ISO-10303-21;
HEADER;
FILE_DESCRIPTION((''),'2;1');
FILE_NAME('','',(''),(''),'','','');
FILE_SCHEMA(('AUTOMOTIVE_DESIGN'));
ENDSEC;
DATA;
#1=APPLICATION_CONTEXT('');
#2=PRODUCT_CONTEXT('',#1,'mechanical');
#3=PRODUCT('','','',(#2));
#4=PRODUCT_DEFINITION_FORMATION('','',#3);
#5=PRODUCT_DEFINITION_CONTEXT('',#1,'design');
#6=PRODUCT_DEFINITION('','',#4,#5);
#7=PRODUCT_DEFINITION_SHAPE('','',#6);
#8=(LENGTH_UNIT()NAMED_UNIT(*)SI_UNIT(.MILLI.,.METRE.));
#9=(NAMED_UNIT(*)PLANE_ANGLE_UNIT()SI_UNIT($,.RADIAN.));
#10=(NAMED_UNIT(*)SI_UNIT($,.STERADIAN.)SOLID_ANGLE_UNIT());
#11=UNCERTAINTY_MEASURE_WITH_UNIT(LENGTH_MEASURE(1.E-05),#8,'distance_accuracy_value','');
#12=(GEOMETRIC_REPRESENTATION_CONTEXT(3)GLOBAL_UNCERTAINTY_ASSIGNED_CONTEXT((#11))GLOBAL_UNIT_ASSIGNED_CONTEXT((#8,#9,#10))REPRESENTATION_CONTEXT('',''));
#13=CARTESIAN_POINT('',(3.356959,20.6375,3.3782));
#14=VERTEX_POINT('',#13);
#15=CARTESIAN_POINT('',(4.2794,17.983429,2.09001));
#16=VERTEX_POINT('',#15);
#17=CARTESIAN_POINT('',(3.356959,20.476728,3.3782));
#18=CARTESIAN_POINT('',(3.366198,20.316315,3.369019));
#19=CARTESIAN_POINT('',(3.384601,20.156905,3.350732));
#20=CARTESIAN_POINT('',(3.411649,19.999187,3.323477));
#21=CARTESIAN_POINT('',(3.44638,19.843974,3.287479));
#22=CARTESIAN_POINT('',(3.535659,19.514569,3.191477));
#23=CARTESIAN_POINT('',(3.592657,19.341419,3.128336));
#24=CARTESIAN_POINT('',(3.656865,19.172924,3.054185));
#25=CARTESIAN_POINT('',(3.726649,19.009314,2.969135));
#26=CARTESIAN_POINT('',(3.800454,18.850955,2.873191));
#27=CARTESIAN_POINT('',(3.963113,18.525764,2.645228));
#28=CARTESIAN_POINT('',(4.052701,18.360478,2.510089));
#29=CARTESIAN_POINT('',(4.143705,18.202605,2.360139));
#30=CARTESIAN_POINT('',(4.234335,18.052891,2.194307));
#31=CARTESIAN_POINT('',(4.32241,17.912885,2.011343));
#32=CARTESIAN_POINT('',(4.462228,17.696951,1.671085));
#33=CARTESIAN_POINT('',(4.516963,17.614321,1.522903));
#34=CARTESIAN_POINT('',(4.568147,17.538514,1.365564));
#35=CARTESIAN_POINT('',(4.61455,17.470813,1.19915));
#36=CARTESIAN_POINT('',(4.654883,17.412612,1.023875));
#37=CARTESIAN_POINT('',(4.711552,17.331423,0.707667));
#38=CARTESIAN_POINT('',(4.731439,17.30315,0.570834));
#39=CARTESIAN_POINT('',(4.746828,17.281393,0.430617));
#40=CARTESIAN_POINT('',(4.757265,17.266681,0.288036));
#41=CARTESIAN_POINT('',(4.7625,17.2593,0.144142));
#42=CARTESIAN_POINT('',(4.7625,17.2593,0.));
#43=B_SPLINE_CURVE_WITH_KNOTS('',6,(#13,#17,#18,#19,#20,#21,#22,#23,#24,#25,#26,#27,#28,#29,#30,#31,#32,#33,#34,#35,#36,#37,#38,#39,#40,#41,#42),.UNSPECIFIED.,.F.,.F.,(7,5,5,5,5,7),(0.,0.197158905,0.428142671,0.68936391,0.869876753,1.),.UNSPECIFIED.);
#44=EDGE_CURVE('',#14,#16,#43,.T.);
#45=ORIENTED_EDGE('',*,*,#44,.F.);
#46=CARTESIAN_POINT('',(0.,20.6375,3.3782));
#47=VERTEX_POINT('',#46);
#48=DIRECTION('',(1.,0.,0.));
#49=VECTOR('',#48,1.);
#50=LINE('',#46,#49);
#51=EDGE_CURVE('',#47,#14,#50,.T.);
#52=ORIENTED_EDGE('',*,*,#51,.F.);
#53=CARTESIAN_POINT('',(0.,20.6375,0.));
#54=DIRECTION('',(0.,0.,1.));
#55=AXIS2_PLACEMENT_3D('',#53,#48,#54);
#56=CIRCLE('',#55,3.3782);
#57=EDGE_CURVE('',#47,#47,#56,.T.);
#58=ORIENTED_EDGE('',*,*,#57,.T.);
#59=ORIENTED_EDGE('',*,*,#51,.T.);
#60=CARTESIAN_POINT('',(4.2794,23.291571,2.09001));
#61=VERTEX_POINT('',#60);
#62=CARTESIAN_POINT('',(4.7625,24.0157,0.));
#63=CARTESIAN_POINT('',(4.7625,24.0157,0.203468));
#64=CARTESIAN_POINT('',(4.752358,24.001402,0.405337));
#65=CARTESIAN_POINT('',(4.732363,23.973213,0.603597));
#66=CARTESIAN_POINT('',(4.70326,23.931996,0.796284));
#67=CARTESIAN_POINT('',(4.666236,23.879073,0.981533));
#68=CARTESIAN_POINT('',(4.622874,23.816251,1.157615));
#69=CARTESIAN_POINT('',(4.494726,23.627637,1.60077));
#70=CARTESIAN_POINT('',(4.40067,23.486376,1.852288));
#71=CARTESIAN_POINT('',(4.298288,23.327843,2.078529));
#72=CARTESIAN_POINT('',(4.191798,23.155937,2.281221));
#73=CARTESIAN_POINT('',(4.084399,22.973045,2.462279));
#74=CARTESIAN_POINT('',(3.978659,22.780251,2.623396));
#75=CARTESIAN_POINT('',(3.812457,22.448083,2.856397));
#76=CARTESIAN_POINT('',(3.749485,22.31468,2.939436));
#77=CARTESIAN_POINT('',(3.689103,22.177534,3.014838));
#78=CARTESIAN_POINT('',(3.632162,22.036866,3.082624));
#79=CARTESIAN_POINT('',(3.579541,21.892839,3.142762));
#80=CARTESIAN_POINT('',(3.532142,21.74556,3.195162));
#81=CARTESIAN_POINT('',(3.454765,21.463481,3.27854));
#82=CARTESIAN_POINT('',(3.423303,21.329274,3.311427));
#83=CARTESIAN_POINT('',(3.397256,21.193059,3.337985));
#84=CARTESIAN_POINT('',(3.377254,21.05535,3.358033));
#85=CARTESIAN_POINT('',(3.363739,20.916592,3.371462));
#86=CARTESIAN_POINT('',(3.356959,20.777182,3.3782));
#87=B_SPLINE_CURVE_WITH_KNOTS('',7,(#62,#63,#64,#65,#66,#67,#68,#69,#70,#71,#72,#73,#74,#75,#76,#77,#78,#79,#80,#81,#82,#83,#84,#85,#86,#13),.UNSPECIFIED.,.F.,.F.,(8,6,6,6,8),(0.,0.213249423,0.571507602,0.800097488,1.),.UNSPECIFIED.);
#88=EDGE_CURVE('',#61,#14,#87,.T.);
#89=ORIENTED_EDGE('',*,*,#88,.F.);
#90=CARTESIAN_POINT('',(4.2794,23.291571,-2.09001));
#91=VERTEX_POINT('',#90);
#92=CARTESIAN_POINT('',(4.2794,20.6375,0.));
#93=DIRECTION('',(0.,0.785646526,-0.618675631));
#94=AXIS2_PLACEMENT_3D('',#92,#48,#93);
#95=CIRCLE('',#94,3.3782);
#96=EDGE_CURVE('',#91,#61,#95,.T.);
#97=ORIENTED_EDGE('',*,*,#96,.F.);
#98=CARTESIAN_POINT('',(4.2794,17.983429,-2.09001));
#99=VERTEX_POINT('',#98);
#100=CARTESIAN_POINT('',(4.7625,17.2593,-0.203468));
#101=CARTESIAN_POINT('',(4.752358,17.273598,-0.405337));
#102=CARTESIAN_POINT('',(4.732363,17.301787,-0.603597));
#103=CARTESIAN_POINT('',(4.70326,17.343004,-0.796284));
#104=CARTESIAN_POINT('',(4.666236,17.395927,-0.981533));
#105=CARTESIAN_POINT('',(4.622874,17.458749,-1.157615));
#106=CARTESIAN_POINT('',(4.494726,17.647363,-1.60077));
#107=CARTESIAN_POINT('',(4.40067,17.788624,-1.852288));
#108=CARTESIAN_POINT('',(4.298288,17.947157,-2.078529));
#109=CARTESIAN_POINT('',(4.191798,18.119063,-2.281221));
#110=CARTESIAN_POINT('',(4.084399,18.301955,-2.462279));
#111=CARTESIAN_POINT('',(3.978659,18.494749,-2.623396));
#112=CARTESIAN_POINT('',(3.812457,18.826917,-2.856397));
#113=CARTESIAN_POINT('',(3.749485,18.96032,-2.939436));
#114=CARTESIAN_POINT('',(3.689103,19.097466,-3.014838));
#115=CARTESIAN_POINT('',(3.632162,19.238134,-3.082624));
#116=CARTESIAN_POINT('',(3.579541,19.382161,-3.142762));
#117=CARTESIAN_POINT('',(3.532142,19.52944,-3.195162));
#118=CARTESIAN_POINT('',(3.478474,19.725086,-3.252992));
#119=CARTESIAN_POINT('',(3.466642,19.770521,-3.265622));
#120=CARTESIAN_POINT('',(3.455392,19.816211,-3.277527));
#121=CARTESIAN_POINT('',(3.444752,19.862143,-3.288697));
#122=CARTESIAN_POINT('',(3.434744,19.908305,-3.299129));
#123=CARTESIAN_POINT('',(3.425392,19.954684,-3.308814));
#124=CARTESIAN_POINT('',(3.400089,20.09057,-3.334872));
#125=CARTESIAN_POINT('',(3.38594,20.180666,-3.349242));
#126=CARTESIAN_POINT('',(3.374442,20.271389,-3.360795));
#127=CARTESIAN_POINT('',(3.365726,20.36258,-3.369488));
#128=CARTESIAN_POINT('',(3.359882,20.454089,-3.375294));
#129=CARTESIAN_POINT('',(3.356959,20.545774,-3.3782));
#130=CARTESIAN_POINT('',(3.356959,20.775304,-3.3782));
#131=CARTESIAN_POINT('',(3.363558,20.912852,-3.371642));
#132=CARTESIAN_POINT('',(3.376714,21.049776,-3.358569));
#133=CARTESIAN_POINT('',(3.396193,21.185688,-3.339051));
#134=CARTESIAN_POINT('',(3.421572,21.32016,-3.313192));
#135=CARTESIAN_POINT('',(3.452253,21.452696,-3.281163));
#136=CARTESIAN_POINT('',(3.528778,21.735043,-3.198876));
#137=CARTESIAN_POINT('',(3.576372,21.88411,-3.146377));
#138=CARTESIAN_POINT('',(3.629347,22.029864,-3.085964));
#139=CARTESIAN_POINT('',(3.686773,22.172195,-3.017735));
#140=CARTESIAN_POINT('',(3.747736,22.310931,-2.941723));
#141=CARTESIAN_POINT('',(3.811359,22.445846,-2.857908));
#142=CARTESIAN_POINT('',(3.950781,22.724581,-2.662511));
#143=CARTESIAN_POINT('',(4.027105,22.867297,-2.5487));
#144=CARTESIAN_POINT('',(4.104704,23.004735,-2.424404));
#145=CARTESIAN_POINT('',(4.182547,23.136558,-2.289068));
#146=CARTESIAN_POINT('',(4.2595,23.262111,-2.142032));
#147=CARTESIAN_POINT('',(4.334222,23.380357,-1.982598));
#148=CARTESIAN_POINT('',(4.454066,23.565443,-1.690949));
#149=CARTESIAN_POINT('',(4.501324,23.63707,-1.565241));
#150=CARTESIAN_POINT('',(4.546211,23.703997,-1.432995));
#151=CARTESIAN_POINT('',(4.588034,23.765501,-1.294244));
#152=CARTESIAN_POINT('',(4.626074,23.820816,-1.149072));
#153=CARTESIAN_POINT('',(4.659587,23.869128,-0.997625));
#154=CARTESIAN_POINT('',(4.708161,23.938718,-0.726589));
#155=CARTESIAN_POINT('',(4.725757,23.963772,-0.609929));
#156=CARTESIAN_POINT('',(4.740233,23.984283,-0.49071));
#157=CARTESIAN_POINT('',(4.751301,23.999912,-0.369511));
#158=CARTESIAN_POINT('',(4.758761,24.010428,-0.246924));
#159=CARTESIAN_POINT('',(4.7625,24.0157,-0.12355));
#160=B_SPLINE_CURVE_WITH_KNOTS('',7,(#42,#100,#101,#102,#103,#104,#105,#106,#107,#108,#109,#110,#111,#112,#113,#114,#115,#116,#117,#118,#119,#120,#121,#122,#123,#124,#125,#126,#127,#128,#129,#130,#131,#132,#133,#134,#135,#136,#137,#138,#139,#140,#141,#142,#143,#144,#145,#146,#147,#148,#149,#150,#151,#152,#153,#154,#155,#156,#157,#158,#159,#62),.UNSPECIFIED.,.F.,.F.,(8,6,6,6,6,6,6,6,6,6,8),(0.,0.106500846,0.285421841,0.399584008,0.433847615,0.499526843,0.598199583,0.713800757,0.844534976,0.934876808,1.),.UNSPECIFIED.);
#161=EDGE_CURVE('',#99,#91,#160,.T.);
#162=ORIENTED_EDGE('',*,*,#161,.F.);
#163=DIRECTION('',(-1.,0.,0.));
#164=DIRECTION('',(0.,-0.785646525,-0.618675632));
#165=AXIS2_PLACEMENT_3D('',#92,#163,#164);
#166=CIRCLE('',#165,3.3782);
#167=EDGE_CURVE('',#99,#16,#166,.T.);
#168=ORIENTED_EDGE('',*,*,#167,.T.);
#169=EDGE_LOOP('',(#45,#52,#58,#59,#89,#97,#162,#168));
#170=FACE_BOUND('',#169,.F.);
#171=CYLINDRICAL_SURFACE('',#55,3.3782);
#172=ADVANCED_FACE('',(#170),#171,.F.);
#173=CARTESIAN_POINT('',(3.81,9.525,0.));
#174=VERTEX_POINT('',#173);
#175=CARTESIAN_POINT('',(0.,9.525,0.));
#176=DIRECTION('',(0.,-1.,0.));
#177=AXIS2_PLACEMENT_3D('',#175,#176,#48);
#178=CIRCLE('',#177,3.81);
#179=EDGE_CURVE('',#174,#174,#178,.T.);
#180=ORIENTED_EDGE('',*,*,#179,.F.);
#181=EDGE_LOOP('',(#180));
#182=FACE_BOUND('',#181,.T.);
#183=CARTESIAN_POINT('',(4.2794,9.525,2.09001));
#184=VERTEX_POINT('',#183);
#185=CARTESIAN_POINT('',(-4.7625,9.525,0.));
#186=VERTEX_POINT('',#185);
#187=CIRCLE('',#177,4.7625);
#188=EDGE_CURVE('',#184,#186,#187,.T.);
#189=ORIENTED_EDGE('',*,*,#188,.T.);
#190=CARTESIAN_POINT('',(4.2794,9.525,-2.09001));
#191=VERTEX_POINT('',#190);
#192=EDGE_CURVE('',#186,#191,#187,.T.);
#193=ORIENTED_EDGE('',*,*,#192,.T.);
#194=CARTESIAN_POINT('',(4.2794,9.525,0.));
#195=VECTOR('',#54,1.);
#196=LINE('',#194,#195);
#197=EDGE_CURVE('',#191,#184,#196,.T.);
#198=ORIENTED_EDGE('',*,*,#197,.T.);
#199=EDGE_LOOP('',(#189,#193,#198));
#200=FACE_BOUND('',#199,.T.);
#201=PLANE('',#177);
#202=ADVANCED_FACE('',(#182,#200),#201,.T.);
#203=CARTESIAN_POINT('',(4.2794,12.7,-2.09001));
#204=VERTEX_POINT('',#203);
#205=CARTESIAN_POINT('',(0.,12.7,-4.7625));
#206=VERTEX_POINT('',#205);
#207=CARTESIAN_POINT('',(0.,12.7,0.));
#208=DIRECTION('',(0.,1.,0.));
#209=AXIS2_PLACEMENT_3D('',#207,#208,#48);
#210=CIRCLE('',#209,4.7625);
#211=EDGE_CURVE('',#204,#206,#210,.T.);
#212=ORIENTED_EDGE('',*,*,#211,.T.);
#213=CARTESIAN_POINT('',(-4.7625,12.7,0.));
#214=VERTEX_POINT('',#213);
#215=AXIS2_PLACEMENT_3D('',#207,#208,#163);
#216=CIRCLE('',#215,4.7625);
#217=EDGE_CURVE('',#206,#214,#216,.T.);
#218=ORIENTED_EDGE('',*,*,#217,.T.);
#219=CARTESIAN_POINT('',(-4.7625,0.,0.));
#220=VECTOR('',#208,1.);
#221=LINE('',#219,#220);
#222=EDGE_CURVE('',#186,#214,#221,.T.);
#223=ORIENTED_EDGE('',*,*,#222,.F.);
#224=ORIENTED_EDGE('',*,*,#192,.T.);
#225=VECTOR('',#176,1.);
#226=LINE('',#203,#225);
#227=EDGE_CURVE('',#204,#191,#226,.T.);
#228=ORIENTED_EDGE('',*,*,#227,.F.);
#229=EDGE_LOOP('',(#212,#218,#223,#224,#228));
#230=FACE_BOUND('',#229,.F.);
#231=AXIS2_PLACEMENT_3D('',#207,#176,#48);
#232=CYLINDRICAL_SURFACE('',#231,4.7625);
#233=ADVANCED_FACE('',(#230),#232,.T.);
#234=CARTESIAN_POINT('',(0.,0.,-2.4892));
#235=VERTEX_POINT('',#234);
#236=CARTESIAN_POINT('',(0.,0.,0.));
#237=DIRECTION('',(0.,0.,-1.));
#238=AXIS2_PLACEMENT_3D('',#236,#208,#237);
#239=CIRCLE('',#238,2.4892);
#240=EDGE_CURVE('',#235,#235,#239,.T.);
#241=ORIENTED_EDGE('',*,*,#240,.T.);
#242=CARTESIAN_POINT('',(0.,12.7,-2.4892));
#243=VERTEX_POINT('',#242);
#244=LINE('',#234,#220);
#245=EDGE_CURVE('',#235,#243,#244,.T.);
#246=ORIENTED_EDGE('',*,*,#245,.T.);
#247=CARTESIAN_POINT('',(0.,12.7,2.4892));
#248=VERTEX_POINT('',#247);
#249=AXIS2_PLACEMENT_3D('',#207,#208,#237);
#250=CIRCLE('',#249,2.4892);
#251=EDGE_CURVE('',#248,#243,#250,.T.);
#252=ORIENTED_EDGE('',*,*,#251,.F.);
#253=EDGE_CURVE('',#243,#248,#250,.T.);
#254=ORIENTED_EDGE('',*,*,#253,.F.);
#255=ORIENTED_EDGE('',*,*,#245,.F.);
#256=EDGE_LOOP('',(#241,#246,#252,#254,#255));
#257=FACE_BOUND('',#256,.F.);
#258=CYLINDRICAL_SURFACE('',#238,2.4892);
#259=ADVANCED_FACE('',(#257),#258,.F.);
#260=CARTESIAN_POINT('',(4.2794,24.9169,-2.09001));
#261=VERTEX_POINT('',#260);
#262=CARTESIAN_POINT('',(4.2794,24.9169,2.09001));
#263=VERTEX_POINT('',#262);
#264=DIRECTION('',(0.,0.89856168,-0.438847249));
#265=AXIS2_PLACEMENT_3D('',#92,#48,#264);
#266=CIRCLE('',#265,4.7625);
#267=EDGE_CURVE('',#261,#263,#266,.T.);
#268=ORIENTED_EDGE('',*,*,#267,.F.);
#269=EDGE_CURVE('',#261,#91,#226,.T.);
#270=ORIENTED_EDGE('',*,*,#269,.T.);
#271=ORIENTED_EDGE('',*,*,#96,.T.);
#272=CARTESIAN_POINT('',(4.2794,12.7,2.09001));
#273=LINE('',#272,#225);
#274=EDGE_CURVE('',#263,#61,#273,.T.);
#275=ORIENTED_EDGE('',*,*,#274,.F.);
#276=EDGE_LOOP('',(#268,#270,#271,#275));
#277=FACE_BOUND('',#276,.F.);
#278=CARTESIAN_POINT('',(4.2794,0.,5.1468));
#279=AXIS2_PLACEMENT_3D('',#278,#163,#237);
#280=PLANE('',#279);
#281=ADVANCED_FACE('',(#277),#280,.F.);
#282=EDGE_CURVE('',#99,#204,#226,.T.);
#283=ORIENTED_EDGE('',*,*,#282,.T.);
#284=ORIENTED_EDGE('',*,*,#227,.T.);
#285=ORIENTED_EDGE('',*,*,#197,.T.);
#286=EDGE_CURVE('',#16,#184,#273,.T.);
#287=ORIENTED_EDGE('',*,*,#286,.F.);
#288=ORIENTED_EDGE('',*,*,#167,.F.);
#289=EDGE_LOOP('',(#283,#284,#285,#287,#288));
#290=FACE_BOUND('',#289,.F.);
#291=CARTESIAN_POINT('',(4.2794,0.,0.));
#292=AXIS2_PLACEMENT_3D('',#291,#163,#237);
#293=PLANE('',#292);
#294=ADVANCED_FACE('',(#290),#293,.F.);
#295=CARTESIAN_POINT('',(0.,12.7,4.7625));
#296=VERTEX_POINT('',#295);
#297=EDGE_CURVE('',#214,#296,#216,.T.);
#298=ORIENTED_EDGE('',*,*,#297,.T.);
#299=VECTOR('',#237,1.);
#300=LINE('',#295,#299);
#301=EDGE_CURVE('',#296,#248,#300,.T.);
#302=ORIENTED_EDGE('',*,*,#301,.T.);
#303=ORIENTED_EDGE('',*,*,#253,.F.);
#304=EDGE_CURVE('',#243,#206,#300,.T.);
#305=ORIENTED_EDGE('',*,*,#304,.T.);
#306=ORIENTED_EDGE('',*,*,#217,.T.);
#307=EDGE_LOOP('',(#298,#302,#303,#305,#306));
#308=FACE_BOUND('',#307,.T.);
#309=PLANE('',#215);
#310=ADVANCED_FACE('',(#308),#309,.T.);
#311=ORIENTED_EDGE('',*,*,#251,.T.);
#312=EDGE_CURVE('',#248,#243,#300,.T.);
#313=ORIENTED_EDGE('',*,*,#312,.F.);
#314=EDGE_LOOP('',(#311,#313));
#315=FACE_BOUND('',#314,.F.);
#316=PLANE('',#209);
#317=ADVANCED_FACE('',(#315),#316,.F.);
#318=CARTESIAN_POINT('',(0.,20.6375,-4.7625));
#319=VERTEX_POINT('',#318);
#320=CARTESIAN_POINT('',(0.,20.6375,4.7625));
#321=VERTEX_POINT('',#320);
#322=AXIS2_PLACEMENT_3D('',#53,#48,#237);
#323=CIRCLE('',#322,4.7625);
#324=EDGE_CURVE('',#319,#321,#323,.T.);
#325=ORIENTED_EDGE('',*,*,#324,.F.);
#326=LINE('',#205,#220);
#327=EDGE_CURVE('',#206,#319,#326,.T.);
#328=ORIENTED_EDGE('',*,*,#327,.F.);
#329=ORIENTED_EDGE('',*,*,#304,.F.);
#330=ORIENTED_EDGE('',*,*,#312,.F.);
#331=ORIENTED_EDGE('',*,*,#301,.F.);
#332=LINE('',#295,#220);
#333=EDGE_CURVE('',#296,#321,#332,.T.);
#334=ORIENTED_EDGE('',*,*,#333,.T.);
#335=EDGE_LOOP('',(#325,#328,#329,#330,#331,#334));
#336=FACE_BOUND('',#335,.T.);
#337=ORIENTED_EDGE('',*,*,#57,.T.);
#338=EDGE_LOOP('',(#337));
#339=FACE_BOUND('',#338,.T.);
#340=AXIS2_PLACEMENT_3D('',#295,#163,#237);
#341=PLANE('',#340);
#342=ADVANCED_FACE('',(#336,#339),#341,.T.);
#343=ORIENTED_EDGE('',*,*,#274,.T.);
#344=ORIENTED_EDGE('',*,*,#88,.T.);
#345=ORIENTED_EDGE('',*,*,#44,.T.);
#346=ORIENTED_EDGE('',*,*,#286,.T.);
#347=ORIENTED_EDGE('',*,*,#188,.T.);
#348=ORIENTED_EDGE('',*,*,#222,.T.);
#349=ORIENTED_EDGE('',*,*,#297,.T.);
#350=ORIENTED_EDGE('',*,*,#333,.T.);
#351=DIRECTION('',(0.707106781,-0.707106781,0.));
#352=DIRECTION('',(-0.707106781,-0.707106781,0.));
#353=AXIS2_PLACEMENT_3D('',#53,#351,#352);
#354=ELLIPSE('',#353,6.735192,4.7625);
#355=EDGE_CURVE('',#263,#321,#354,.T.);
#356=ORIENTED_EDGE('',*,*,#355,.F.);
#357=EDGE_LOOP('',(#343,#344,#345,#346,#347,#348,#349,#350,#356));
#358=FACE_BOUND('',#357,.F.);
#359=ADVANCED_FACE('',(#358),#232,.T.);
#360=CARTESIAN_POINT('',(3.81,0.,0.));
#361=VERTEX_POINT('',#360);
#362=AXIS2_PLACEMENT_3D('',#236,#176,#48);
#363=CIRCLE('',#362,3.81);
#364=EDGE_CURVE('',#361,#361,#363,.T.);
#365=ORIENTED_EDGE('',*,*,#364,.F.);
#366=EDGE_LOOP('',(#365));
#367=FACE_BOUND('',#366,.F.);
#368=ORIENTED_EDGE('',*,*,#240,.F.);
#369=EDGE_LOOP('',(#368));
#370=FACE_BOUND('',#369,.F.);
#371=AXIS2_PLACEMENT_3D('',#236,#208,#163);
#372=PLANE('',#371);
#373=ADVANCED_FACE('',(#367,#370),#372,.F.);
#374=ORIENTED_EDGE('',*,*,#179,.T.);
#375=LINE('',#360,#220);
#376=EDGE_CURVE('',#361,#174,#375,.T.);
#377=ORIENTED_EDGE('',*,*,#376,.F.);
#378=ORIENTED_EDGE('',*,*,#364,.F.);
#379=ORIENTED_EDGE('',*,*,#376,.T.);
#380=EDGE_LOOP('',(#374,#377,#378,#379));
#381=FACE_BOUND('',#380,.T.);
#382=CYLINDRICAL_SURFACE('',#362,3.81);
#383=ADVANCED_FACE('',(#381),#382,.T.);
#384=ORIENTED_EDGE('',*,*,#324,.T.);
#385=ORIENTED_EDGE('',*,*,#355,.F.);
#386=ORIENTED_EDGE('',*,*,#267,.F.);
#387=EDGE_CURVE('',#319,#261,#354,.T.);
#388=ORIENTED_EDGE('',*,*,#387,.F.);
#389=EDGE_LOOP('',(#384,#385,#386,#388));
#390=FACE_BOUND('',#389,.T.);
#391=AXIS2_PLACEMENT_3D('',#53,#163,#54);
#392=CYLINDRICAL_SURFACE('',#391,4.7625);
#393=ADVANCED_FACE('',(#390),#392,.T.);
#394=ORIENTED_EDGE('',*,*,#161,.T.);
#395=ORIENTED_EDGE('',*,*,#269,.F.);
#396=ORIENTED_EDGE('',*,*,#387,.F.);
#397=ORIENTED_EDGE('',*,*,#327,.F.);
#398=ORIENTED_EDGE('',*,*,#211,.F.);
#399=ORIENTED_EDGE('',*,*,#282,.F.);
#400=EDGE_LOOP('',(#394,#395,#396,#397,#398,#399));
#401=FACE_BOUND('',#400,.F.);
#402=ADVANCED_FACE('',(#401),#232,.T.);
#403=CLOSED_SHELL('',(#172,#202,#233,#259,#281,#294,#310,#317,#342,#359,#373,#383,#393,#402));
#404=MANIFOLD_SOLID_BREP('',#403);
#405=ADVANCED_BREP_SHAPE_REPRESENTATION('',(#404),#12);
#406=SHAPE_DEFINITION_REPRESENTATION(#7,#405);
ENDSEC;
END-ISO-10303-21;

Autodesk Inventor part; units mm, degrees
ref_plane "YZ Plane" through (0, 0, 0) normal (1, 0, 0) x (0, 1, 0)
ref_plane "XZ Plane" through (0, 0, 0) normal (0, 1, 0) x (-1, 0, 0)
ref_plane "XY Plane" through (0, 0, 0) normal (0, 0, 1) x (1, 0, 0)
sketch "Sketch1" plane through (0, 0, 0) normal (0, 1, 0) x (-1, 0, 0)
  circle A0 centre (0, 0) radius 4.7625
  dimension "d0" = 9.525
extrude "Extrusion1" add sketch "Sketch1" along normal blind 12.7
sketch "Sketch2" plane through (0, 0, 0) normal (0, -1, 0) x (1, 0, 0)
  circle A0 centre (0, 0) radius 2.539
hole "Hole1" at (0, 0, 0) direction (0, 1, 0) diameter 4.9784 depth 19.05 tip angle 118 thread size "1/4-20 UNC" class "2B" standard "ANSI Unified Screw Threads"
sketch "Sketch3" plane through (0, 12.7, 0) normal (0, 1, 0) x (1, 0, 0)
  circle A0 centre (0, 0) radius 4.7625
  circle A1 centre (0, 0) radius 4.7625 projected
  line L0 (0, -4.7625) -> (0, 4.7625)
  dimension "d10" = 9.525
extrude "Extrusion2" add sketch "Sketch3" along normal blind 12.7 contours A0 L0 picked at (1.6786, -1.3984)
sketch "Sketch4" plane through (0, 12.7, -2.4892) normal (-1, 0, 0) x (0, 0, 1)
  line L0 (-2.2733, 0) -> (-2.2733, 12.7) projected
  line L1 (7.2517, 0) -> (7.2517, 12.7) projected
  line L2 (-2.2733, 0) -> (7.2517, 0)
  line L3 (7.2517, 0) -> (7.2517, 12.7)
  line L4 (7.2517, 12.7) -> (-2.2733, 12.7)
  line L5 (-2.2733, 12.7) -> (-2.2733, 0)
  arc A0 (7.2517, 7.9375) -> (-2.2733, 7.9375) centre (2.4892, 7.9375) ccw
  line L6 (7.2517, 12.7) -> (-2.2733, 12.7) projected
  line L7 (-2.2733, 7.9375) -> (-2.2733, 12.7)
  line L8 (-2.2733, 12.7) -> (7.2517, 12.7)
  line L9 (7.2517, 12.7) -> (7.2517, 7.9375)
  point P0 (2.4892, -12.7)
extrude "Extrusion3" cut sketch "Sketch4" against normal blind 12.7 contours L0 L4 A0 | L4 L1 A0
sketch "Sketch5" plane through (0, 12.7, -2.4892) normal (-1, 0, 0) x (0, 0, 1)
  arc A0 (7.2517, 7.9375) -> (-2.2733, 7.9375) centre (2.4892, 7.9375) ccw projected
  circle A1 centre (2.4892, 7.9375) radius 2.2013
  point P0 (2.4892, -12.7)
hole "Hole2" at (0, 20.6375, 0) direction (1, 0, 0) diameter 6.7564 depth 19.05 tip angle 118 clearance for "Flat Head Machine Screw (82)" size "1/4" standard "Ansi Unified Screw Threads"
sketch "Sketch6" plane through (0, 0, 0) normal (0, -1, 0) x (1, 0, 0)
  line L0 (0, 0) -> (4.7909, 0)
  line L1 (5.3024, 5.1468) -> (4.2794, 5.1468)
  line L2 (4.2794, 5.1468) -> (4.2794, -5.1468)
  line L3 (4.2794, -5.1468) -> (5.3024, -5.1468)
  line L4 (5.3024, -5.1468) -> (5.3024, 5.1468)
  line L5 (5.3024, 5.1468) -> (4.2794, -5.1468) construction
  line L6 (4.2794, 5.1468) -> (5.3024, -5.1468) construction
extrude "Extrusion4" cut sketch "Sketch6" against normal blind 25.4
sketch "Sketch7" plane through (0, 0, 0) normal (0, -1, 0) x (1, 0, 0)
  circle A0 centre (0, 0) radius 4.7625
  circle A1 centre (0, 0) radius 3.81
  dimension "d24" = 9.525
  dimension "d25" = 7.62
extrude "Extrusion5" cut sketch "Sketch7" against normal blind 9.525
properties part number "feet type 3 part 2" material "Stainless Steel"
